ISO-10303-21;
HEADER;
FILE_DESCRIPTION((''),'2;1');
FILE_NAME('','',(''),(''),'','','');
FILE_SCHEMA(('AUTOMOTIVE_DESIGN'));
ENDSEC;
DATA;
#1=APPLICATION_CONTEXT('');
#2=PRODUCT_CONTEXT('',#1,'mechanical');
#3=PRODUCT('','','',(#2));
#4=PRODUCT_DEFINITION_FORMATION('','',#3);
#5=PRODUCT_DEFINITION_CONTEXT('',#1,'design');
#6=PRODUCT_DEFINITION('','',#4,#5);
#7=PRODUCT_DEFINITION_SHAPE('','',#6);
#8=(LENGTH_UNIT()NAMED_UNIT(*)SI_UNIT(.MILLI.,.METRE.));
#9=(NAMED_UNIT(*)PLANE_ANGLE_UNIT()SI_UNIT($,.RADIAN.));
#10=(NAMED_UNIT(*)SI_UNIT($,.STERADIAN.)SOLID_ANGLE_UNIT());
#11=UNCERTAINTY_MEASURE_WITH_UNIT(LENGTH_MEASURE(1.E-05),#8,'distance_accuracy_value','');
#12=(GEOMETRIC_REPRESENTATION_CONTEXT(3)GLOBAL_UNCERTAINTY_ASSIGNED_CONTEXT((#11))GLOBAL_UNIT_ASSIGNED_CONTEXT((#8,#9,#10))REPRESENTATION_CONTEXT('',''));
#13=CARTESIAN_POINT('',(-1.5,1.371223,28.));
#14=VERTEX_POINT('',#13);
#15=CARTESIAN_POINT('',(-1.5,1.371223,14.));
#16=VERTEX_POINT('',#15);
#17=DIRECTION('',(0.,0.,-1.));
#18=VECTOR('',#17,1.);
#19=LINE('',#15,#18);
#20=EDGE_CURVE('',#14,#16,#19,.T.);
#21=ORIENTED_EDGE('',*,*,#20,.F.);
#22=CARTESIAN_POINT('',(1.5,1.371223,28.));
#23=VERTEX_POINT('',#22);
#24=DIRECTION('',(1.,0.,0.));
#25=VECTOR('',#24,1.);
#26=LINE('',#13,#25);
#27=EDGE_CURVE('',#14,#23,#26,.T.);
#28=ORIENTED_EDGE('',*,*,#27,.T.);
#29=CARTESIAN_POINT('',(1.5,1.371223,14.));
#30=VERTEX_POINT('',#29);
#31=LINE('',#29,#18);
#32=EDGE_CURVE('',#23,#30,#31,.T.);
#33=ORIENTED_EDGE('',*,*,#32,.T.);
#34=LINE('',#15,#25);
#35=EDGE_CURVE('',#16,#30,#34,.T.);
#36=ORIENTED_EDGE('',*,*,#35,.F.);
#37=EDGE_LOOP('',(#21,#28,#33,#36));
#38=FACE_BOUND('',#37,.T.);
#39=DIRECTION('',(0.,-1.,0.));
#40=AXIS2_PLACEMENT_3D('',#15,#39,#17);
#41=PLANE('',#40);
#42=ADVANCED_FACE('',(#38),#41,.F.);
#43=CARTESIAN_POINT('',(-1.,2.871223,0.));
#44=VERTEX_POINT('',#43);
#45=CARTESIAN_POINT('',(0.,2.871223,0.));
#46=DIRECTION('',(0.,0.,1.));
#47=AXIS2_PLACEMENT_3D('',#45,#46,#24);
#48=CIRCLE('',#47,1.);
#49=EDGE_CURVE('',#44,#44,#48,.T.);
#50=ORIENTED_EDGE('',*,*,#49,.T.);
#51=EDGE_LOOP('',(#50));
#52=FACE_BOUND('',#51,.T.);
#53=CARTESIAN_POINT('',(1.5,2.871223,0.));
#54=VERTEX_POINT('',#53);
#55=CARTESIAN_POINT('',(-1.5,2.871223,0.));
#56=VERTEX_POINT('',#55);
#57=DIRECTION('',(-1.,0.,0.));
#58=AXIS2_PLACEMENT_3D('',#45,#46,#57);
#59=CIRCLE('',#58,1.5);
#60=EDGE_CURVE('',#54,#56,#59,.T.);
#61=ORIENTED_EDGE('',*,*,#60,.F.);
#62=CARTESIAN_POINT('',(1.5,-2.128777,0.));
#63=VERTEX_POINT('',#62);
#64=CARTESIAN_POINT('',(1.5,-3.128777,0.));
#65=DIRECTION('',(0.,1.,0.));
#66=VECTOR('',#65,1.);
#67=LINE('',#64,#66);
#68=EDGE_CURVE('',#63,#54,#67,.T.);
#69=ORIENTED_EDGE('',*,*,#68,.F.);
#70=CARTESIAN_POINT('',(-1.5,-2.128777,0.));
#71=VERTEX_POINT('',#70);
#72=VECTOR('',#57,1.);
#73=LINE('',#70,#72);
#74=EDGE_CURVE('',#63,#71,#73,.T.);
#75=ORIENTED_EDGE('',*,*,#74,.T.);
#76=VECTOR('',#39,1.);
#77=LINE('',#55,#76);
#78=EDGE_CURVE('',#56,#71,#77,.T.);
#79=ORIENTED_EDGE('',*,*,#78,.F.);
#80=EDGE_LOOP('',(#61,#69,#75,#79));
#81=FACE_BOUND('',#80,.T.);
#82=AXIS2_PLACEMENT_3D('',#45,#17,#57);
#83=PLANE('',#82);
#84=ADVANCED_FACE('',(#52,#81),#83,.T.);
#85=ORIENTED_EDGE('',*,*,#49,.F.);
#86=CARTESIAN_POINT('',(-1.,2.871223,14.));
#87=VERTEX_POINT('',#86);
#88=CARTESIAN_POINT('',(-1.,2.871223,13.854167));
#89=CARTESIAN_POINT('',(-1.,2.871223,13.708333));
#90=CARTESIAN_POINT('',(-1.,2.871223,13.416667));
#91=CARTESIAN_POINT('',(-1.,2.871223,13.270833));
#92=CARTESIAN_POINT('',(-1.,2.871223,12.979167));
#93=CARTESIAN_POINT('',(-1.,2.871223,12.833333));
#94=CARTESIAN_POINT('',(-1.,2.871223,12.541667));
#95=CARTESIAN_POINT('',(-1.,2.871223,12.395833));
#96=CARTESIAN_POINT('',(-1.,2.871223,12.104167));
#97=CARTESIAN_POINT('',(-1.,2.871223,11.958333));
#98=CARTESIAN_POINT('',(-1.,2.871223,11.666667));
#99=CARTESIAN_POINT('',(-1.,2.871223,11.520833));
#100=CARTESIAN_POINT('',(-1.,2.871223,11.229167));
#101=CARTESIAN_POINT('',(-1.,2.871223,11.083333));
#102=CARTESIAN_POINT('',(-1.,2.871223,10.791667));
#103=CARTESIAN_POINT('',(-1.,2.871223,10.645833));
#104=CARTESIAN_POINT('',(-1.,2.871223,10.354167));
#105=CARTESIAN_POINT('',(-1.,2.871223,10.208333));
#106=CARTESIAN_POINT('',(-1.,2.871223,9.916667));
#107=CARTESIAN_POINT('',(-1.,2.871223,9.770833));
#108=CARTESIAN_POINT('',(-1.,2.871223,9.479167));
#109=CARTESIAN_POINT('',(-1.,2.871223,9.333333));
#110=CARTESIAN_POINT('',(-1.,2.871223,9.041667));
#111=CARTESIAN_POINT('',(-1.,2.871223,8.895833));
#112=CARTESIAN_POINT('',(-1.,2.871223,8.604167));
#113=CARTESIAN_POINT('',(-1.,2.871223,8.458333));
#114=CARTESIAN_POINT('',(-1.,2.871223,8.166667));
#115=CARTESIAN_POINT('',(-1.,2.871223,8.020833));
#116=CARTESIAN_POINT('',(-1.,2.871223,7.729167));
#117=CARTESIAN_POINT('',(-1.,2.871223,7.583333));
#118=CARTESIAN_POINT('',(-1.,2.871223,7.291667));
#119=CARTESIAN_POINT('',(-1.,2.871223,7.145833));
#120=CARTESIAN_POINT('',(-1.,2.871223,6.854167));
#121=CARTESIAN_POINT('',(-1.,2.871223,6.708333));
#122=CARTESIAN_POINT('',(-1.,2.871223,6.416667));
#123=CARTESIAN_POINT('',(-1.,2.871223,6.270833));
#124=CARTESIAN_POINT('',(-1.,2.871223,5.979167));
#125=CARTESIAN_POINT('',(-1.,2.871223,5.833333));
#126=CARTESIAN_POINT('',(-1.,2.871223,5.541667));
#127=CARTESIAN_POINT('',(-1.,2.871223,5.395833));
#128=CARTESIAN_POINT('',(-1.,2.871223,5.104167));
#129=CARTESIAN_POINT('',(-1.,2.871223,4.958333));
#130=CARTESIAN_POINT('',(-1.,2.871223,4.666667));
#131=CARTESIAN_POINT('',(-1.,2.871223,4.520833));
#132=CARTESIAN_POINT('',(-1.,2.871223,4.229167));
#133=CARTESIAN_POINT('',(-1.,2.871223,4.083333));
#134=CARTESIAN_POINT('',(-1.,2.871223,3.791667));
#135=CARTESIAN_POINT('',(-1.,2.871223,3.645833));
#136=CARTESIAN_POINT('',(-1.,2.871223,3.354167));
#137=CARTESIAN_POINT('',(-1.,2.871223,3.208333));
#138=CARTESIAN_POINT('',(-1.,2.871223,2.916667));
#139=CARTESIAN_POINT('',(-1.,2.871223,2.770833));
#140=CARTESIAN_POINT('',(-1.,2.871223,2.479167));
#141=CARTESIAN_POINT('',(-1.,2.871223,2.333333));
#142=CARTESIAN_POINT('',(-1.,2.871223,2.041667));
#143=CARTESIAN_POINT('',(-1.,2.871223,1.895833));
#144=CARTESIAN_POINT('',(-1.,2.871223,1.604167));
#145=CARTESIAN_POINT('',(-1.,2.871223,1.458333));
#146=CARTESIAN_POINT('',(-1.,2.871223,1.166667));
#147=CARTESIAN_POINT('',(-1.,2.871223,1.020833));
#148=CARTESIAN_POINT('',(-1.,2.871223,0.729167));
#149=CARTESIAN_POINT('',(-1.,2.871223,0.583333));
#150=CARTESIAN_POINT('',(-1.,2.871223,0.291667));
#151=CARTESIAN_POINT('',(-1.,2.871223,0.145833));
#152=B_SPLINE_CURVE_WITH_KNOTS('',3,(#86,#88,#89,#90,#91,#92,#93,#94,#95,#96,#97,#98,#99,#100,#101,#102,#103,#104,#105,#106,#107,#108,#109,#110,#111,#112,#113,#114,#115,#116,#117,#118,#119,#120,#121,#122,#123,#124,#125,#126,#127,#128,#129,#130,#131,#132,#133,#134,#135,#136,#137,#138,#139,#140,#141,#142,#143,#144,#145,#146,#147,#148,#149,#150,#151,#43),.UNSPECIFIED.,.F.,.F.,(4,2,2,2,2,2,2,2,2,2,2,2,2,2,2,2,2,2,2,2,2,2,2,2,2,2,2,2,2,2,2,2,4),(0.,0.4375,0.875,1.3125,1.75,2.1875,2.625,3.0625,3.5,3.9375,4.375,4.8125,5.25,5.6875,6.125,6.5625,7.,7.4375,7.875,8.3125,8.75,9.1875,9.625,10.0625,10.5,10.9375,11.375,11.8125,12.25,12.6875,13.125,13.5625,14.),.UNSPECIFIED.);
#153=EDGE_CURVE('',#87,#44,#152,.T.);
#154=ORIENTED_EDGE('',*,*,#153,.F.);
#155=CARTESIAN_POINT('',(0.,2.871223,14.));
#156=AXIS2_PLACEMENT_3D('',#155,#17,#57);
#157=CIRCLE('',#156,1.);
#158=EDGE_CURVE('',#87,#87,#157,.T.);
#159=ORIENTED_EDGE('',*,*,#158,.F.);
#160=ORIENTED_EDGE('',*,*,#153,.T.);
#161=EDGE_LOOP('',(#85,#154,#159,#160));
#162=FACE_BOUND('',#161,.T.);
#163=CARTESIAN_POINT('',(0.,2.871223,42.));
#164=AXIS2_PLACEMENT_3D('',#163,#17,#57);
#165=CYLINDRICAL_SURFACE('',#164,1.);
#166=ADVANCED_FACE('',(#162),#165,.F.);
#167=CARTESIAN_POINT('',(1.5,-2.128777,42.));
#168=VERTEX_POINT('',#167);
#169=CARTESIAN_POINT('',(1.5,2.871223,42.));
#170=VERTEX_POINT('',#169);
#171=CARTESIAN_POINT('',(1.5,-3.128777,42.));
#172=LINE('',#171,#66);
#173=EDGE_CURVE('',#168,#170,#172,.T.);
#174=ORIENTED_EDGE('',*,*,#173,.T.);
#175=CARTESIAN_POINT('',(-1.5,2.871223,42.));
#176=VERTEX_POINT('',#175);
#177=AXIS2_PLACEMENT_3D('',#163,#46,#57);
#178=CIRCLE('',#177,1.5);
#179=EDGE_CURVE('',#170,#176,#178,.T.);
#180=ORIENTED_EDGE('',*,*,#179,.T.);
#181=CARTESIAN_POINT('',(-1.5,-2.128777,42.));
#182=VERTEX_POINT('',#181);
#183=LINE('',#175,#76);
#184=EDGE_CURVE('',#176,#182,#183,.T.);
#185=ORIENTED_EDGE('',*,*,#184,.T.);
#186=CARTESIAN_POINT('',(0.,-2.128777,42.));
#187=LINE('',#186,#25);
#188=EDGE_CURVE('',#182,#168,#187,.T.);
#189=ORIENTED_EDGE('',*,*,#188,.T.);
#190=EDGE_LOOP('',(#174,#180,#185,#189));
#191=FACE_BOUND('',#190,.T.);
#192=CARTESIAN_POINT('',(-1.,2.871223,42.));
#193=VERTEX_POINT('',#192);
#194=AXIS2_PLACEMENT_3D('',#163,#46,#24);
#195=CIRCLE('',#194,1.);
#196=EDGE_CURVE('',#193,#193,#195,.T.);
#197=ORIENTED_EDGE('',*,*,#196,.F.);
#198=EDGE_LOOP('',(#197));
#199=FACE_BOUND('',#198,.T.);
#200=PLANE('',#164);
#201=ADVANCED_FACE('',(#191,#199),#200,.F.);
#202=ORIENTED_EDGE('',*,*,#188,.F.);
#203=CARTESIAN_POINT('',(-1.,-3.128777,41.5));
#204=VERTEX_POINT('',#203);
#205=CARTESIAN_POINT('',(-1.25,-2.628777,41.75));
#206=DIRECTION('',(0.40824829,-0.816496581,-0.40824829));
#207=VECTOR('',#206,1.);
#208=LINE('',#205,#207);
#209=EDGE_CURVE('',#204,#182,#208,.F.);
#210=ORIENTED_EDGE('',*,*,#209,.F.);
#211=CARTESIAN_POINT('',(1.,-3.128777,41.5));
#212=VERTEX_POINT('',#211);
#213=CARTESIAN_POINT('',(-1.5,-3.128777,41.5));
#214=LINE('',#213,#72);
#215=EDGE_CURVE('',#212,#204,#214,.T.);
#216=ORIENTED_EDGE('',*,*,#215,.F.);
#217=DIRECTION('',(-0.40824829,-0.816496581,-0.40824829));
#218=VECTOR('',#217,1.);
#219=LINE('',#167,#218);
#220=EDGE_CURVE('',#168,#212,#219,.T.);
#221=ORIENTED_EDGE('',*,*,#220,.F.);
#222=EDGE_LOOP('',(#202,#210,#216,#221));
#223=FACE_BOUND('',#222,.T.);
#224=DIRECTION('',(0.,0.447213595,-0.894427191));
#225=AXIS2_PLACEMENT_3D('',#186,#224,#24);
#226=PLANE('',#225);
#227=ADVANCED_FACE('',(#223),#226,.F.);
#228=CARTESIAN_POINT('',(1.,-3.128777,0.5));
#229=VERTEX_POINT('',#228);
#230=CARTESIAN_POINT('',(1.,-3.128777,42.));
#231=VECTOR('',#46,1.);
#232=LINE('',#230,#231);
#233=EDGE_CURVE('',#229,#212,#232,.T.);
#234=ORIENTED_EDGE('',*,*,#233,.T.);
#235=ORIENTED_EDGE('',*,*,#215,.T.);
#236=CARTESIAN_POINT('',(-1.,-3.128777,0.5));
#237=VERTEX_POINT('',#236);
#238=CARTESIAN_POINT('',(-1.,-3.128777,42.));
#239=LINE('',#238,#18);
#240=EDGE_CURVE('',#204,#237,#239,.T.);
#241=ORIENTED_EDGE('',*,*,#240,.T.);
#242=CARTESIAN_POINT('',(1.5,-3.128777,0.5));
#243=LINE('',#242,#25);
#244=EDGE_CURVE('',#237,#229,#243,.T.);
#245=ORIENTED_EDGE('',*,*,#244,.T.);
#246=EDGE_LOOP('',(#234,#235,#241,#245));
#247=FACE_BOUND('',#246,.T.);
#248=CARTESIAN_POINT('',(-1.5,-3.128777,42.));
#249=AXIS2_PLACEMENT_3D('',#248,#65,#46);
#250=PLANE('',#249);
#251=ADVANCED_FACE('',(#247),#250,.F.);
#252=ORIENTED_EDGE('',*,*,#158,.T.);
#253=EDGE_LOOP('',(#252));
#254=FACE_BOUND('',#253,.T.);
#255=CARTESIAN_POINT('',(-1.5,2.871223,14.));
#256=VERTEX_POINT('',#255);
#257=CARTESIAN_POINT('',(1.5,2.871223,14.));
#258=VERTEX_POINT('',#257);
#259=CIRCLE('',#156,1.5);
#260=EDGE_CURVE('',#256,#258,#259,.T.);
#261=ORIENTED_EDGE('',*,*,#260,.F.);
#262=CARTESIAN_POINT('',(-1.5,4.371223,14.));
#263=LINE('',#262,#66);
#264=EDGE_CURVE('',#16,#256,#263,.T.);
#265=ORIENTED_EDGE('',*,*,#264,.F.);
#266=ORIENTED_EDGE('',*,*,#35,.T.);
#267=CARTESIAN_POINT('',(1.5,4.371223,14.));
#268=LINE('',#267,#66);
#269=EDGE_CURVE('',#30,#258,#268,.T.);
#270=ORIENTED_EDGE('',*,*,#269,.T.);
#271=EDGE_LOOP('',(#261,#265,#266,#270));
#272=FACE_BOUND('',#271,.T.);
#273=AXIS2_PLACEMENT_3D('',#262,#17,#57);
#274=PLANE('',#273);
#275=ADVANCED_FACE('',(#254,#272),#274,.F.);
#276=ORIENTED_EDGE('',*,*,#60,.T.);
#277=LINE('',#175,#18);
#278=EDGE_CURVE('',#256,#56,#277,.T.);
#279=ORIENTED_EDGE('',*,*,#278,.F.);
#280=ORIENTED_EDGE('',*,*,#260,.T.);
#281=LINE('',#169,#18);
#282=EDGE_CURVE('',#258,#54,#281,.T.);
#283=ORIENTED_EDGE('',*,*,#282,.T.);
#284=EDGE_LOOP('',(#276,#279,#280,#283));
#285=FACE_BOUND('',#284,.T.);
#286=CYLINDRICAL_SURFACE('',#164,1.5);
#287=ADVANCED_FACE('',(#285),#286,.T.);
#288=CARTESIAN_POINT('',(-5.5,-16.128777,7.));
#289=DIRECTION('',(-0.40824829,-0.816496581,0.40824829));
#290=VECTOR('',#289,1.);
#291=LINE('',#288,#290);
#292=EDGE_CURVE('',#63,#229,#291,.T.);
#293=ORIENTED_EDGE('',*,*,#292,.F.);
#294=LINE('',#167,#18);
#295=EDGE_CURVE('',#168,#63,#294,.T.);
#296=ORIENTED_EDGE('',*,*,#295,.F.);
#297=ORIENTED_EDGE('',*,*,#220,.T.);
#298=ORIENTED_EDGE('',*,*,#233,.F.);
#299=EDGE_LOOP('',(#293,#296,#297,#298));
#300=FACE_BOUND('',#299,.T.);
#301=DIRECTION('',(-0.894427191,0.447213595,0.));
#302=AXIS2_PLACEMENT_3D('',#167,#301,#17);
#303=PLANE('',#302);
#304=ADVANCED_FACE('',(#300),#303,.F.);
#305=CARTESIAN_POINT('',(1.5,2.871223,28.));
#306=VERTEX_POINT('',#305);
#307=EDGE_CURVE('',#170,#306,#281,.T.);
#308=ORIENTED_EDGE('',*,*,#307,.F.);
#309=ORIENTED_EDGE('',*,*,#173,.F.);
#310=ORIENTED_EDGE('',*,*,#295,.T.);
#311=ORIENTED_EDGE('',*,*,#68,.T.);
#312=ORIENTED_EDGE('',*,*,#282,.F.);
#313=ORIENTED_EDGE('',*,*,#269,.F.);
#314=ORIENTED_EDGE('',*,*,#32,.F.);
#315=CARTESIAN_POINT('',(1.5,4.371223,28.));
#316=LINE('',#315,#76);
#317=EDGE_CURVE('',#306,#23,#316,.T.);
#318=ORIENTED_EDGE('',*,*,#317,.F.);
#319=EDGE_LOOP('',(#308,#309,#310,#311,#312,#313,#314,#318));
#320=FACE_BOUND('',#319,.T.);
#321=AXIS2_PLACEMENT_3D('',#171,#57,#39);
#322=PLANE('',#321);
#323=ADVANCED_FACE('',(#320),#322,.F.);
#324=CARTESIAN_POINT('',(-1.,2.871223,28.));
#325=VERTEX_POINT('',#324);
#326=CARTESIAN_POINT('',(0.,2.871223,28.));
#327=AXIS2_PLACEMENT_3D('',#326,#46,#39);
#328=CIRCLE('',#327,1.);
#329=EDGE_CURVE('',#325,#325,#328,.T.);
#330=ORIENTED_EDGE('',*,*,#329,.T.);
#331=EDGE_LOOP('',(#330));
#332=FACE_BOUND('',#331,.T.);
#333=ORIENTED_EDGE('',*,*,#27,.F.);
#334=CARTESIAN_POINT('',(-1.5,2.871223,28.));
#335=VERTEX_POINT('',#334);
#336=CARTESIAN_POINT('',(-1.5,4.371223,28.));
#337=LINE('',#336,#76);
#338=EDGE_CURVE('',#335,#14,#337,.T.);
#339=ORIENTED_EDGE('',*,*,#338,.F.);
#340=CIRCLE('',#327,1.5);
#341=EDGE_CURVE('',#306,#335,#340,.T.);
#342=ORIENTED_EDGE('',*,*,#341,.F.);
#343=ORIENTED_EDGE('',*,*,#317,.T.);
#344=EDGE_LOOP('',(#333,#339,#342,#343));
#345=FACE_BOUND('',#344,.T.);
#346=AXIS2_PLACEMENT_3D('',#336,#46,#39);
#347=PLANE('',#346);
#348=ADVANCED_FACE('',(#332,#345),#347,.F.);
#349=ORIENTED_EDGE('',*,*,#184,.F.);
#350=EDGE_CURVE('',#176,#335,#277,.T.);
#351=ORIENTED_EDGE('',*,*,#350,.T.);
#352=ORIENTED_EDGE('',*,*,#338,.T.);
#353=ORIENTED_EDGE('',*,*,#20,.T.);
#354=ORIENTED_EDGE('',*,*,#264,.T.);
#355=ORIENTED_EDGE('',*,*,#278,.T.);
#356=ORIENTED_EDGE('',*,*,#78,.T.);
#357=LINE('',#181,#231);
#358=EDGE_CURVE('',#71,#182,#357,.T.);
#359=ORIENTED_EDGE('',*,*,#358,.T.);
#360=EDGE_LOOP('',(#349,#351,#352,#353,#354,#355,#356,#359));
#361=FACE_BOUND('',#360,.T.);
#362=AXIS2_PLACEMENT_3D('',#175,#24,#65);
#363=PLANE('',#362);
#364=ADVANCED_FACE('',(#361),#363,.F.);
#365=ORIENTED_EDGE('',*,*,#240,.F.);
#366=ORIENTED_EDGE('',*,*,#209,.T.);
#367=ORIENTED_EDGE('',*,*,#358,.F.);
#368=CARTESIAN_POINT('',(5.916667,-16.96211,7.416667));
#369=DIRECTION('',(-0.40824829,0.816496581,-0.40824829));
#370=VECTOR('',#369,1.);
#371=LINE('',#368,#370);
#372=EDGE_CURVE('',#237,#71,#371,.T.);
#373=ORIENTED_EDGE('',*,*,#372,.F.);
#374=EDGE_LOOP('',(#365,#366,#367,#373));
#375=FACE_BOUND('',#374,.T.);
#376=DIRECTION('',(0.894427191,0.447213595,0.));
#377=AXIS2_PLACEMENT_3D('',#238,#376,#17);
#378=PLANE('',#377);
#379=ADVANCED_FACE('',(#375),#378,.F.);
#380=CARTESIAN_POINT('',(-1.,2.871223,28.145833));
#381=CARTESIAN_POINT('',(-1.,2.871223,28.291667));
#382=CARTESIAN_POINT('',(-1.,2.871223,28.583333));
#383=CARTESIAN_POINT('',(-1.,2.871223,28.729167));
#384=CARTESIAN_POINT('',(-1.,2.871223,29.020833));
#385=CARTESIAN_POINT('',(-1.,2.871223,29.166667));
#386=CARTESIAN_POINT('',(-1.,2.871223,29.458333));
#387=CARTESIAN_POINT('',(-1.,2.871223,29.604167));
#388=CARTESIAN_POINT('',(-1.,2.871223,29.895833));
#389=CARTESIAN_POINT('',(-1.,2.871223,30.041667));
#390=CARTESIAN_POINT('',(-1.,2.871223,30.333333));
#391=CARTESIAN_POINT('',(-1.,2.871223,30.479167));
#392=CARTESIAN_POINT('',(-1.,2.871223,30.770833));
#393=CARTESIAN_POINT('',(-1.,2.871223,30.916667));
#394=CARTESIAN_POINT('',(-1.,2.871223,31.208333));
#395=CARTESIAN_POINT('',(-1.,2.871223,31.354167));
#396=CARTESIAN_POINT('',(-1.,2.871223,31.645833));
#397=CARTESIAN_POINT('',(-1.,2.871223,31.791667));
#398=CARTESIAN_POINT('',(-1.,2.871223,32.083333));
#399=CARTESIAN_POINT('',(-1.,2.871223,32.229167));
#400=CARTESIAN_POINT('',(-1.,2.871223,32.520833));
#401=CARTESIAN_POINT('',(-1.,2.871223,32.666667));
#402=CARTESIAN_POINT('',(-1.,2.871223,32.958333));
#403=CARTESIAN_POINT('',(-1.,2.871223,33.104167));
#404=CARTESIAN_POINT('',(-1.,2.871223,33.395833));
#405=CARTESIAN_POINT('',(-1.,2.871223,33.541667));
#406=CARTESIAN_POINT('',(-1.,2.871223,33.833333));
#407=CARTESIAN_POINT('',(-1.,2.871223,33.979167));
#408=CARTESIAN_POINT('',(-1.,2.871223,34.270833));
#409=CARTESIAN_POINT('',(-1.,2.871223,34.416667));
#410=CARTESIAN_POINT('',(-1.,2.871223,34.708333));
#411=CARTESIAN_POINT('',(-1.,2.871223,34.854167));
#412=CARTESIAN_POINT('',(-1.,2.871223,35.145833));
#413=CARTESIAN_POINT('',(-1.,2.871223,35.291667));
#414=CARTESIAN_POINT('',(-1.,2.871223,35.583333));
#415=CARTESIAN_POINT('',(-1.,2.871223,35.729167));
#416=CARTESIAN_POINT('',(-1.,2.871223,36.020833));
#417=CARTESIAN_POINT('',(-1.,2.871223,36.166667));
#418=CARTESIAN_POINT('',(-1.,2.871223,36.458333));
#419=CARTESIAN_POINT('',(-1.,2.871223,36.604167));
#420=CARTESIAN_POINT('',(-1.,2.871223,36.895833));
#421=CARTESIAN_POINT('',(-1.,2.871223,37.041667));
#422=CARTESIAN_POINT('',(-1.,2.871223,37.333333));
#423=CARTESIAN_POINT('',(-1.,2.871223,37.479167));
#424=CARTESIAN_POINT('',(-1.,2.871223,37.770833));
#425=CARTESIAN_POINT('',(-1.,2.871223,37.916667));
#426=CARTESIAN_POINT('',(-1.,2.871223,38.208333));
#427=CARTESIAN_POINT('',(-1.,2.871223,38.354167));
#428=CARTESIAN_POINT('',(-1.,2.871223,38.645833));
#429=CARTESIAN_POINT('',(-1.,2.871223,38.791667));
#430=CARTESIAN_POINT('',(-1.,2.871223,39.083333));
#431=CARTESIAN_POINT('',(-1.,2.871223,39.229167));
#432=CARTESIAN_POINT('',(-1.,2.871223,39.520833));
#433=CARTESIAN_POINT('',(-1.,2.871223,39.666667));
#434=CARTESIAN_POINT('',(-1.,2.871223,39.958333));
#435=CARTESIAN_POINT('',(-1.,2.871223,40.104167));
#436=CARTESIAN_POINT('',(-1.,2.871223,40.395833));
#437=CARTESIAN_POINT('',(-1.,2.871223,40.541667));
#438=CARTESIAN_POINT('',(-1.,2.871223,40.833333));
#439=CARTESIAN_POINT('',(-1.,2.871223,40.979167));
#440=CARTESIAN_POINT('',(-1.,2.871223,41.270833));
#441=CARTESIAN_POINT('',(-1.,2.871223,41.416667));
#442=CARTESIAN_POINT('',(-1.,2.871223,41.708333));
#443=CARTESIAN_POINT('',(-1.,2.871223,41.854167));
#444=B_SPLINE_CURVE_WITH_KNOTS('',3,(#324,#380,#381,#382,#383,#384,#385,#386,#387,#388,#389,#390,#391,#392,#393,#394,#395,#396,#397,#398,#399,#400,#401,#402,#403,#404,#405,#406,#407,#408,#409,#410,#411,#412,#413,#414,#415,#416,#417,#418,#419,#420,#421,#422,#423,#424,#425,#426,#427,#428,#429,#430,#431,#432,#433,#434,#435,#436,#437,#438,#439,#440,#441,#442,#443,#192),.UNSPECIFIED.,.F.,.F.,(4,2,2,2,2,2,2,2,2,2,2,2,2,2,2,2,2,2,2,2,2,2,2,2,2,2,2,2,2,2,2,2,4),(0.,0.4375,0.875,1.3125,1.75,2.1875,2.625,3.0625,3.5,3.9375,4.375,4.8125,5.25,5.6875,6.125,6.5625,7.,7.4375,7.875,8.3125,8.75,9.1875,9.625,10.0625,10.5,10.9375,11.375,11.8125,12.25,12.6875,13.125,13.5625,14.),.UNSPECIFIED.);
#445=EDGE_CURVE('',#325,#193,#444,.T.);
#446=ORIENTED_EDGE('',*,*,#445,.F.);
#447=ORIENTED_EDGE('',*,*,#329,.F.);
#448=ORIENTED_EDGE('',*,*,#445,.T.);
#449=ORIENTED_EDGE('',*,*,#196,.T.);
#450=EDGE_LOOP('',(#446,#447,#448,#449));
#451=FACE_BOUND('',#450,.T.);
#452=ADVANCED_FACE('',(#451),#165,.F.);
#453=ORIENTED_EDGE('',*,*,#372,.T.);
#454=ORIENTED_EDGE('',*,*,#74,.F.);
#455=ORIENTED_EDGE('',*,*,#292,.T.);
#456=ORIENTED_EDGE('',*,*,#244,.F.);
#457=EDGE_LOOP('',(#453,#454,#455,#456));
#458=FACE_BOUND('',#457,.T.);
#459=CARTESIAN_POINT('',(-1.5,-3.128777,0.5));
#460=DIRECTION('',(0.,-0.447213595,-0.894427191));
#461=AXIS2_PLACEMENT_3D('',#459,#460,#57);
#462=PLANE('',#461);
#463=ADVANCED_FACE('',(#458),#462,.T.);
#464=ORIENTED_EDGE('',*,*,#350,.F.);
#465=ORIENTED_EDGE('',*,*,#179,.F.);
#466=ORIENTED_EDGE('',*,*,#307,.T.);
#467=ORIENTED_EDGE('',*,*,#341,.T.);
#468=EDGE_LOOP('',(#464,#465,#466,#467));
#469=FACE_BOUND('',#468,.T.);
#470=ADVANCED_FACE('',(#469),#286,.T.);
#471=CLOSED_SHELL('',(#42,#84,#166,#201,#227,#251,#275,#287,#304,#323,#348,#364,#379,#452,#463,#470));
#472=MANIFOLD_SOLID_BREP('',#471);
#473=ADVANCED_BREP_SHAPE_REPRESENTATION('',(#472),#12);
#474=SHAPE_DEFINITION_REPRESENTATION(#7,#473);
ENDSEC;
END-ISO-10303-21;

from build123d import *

# Parameters (mm, degrees)
SKETCH1_R               = 1
BOSS_EXTRUDE1_DEPTH     = 42
CUT_EXTRUDE1_DEPTH      = 43.253492101
CUT_EXTRUDE1_DEPTH_BACK = 43.253492101
SKETCH2_W               = 14
SKETCH2_H               = 3
CHAMFER1_SIZE           = 0.5
CHAMFER1_SIZE2          = 1


with BuildPart() as part:
    # Sketch1 → Boss-Extrude1 (new body)
    with BuildSketch(Plane.XY):
        with BuildLine():
            Line((-1.5, 2.871223481), (-1.5, -3.128776519))
            Line((-1.5, -3.128776519), (1.5, -3.128776519))
            Line((1.5, -3.128776519), (1.5, 2.871223481))
            ThreePointArc((1.5, 2.871223481), (0, 4.371223481), (-1.5, 2.871223481))
        make_face()
        with Locations(Location((0, 2.871223481, 0), (0, 0, 180))):
            Circle(SKETCH1_R, mode=Mode.SUBTRACT)
    extrude(amount=BOSS_EXTRUDE1_DEPTH)

    # Sketch2 → Cut-Extrude1 (cut, two sides: drawn at the far end of the back side and taken through both)
    with BuildSketch(Plane(origin=(0, 0, 0), x_dir=(0, 0, -1), z_dir=(1, 0, 0)).offset(-CUT_EXTRUDE1_DEPTH_BACK)):
        with Locations((-21, 2.871223481)):
            Rectangle(SKETCH2_W, SKETCH2_H)
    extrude(amount=CUT_EXTRUDE1_DEPTH + CUT_EXTRUDE1_DEPTH_BACK, mode=Mode.SUBTRACT)

    # Chamfer1
    chamfer1_edges = [part.edges().sort_by_distance(p)[0] for p in [
        (0, -3.128776519, 42),
        (0, -3.128776519, 0),
        (1.5, -3.128776519, 21),
        (-1.5, -3.128776519, 21),
    ]]
    chamfer1_side = [part.faces().sort_by_distance(p)[0] for p in [
        (0, -3.128776519, 21),
    ]]
    chamfer(chamfer1_edges, length=CHAMFER1_SIZE, length2=CHAMFER1_SIZE2, reference=chamfer1_side[0])


solid = part.part
